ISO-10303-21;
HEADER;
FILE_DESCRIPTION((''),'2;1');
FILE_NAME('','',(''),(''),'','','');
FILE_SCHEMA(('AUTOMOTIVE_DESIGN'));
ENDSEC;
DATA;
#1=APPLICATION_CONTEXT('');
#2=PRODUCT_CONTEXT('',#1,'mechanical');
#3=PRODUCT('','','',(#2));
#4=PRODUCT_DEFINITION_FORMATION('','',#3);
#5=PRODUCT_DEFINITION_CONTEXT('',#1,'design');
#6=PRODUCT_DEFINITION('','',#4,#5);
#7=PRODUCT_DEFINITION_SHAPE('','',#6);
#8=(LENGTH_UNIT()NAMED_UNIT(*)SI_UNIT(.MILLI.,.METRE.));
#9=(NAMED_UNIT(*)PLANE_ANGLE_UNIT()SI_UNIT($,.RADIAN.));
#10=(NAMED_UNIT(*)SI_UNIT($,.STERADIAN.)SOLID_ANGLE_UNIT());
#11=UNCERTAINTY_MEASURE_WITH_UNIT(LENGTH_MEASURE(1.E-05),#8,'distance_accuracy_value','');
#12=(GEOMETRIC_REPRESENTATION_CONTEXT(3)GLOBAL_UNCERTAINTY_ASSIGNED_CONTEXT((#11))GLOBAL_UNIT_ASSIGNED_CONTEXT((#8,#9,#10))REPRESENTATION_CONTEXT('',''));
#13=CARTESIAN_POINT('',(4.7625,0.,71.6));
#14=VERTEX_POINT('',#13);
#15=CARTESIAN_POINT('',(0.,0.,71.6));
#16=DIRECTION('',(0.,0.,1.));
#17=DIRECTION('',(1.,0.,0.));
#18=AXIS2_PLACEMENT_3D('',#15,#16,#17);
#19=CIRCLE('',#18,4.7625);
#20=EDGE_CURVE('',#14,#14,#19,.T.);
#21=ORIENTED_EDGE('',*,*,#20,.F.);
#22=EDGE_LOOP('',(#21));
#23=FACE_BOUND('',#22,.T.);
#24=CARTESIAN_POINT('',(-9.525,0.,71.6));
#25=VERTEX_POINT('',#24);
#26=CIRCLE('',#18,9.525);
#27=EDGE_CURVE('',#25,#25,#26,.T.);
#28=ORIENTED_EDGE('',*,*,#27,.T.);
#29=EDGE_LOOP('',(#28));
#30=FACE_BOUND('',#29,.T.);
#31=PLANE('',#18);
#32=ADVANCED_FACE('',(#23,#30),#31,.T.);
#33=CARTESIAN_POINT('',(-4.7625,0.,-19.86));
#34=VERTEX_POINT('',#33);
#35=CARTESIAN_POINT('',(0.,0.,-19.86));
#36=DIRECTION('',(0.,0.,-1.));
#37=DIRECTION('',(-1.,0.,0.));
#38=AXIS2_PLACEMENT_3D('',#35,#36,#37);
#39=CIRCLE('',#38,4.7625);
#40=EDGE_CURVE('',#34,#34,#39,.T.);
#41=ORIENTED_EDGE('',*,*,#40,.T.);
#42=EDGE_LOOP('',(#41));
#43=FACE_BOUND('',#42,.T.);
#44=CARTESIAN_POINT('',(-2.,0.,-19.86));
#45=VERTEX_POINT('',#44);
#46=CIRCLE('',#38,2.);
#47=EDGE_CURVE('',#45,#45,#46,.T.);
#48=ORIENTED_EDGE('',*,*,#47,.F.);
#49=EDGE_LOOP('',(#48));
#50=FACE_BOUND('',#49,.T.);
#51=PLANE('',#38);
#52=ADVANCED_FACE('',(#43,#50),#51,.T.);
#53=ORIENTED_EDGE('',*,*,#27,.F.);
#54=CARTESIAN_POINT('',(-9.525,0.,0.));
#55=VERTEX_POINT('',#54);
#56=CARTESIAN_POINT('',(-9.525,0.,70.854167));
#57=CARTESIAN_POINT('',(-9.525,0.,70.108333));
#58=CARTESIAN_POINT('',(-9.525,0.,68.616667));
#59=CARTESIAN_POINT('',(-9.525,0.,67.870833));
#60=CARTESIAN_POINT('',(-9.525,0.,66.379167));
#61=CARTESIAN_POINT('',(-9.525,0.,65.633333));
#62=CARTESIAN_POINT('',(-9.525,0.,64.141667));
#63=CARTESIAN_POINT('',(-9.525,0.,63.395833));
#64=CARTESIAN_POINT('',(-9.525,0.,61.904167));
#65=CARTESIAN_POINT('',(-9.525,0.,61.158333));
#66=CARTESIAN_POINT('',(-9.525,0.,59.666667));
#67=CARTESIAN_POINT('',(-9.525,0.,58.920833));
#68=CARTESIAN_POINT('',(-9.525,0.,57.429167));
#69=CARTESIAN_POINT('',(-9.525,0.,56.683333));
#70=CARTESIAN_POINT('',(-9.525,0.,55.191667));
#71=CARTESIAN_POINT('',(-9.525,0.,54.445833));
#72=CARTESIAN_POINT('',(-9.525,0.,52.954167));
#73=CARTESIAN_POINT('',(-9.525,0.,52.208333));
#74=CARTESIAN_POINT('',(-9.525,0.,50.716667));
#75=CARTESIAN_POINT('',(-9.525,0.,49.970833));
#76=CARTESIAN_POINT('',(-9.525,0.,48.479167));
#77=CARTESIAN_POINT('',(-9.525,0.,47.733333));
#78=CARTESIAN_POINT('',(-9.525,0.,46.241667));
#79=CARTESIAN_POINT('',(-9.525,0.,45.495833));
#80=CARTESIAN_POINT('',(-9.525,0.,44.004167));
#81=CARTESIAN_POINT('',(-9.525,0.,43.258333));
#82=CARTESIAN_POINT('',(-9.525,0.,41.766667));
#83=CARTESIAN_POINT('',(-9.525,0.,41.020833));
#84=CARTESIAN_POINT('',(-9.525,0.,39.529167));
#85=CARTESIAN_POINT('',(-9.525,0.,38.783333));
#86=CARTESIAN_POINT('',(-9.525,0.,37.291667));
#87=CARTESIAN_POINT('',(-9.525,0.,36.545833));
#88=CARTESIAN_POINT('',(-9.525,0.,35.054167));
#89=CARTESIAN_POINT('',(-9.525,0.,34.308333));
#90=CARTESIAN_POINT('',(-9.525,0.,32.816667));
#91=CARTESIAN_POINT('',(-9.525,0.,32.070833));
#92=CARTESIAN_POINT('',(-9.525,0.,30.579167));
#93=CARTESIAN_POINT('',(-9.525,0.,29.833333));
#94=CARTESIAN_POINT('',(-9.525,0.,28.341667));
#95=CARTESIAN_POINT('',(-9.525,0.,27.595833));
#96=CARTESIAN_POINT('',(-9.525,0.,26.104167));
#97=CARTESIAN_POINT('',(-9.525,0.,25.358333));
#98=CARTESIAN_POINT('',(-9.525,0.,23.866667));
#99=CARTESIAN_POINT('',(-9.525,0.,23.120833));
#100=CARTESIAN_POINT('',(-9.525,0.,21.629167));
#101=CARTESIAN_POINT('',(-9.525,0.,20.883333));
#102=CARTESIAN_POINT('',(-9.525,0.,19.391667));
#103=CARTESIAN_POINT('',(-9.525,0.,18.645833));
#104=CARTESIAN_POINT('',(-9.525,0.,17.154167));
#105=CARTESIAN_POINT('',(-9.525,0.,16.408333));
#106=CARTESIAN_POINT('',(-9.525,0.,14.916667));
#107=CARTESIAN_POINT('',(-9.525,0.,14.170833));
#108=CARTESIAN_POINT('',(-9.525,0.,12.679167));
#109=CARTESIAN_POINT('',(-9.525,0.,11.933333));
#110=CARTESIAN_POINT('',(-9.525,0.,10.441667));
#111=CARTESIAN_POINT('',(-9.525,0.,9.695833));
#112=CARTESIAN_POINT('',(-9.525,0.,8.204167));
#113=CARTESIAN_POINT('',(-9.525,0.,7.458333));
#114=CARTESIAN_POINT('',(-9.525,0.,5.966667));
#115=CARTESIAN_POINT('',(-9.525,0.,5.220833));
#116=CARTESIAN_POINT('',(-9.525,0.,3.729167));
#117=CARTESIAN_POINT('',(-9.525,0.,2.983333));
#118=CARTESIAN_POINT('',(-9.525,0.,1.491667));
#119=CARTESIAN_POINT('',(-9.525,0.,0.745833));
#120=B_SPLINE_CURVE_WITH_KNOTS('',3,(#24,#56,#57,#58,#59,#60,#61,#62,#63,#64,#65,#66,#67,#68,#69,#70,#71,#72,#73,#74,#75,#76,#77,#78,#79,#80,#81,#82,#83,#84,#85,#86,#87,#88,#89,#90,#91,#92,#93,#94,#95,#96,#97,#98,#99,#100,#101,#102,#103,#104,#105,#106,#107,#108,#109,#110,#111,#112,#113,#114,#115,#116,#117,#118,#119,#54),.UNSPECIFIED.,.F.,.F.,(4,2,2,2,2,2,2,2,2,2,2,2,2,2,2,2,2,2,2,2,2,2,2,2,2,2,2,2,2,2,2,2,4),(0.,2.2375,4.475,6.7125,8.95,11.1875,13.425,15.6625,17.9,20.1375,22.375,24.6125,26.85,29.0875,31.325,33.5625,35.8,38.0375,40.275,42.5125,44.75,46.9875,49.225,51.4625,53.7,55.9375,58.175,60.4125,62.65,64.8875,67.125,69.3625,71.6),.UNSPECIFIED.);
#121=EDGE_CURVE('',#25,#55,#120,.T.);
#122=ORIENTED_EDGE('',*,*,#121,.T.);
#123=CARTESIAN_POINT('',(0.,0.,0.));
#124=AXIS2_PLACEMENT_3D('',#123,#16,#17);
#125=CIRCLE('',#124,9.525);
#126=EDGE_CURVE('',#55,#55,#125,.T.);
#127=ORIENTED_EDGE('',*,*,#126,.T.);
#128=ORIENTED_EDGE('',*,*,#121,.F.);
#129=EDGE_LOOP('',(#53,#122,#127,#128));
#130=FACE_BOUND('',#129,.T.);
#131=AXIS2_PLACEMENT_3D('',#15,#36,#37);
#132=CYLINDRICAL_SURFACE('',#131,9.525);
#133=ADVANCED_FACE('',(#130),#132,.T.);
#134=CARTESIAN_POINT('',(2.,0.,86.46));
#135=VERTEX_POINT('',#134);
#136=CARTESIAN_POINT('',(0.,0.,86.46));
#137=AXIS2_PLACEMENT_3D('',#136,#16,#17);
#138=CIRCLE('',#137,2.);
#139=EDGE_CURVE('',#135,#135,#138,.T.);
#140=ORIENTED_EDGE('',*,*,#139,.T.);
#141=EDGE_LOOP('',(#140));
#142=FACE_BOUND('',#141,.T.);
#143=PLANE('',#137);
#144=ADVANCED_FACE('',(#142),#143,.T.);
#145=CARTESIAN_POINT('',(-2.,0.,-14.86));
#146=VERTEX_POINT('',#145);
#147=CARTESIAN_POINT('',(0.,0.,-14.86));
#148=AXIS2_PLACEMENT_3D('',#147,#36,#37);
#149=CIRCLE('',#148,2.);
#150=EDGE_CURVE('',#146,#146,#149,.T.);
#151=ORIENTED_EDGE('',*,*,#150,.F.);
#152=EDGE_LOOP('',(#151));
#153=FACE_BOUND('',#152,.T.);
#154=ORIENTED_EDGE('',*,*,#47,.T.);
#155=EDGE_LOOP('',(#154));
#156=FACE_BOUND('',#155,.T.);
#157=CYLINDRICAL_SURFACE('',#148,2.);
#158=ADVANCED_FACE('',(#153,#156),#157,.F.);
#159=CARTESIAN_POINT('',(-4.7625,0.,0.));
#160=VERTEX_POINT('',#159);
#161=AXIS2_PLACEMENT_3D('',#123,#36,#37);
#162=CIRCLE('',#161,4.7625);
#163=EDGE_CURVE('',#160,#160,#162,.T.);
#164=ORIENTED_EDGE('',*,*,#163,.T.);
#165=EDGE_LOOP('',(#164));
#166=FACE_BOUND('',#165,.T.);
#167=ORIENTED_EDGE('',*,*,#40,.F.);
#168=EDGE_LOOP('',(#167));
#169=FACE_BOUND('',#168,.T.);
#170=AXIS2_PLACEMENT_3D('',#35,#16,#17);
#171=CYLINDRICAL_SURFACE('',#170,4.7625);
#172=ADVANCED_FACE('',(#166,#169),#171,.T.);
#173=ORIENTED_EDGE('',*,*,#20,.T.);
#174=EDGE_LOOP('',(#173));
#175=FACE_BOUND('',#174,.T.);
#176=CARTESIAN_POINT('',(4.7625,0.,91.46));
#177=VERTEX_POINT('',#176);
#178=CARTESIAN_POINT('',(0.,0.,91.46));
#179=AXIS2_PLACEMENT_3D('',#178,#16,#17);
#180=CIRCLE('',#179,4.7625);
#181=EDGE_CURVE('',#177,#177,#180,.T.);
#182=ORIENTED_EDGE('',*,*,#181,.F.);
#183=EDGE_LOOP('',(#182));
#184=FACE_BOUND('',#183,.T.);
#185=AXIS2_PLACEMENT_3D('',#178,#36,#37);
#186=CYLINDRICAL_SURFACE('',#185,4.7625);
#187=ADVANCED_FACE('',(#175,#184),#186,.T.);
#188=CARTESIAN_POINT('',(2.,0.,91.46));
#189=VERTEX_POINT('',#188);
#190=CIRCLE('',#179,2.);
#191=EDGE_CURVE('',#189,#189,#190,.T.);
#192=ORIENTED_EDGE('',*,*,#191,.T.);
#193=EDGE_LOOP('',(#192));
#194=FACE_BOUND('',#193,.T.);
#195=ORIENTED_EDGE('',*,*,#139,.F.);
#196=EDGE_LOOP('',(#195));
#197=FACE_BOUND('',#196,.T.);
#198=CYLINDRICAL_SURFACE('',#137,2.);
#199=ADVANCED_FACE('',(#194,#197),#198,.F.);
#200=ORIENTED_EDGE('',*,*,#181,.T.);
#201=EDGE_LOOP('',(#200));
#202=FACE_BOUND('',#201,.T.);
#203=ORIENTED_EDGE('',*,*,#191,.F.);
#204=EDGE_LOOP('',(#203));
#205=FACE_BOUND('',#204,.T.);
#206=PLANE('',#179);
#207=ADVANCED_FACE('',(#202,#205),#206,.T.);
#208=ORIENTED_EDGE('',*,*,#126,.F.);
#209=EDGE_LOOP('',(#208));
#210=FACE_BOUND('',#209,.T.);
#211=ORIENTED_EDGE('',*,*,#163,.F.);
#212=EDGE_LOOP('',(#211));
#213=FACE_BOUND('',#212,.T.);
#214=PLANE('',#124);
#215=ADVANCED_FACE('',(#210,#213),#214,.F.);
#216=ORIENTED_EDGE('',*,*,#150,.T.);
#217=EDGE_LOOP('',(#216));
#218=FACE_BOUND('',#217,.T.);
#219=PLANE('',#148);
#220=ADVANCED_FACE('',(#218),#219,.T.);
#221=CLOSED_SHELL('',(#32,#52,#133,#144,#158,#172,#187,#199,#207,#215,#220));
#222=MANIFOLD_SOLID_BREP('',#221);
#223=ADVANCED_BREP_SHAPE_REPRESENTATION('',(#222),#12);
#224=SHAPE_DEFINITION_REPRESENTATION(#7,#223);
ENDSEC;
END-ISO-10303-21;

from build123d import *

# Parameters (mm, degrees)
CROQUIS1_R              = 9.525
SALIENTE_EXTRUIR1_DEPTH = 71.6
CROQUIS2_R              = 4.7625
SALIENTE_EXTRUIR2_DEPTH = 19.86
SALIENTE_EXTRUIR3_START = 19.86
CROQUIS3_R              = 4.7625
SALIENTE_EXTRUIR3_DEPTH = 19.86
CROQUIS4_R              = 2
CORTAR_EXTRUIR1_DEPTH   = 5
CORTAR_EXTRUIR2_START   = -5
CROQUIS5_R              = 2
CORTAR_EXTRUIR2_DEPTH   = 5


with BuildPart() as part:
    # Croquis1 → Saliente-Extruir1 (new body)
    with BuildSketch(Plane.XY):
        with Locations(Location((0, 0, 0), (0, 0, 180))):
            Circle(CROQUIS1_R)
    extrude(amount=SALIENTE_EXTRUIR1_DEPTH)

    # Croquis2 → Saliente-Extruir2 (add)
    with BuildSketch(Plane.XY.offset(71.6)):
        Circle(CROQUIS2_R)
    extrude(amount=SALIENTE_EXTRUIR2_DEPTH)

    # Croquis3 → Saliente-Extruir3 (add)
    with BuildSketch(Plane(origin=(0, 0, 0), x_dir=(-1, 0, 0), z_dir=(0, 0, -1)).offset(SALIENTE_EXTRUIR3_START)):
        with Locations(Location((0, 0, 0), (0, 0, 180))):
            Circle(CROQUIS3_R)
    extrude(amount=-SALIENTE_EXTRUIR3_DEPTH)

    # Croquis4 → Cortar-Extruir1 (cut)
    with BuildSketch(Plane(origin=(0, 0, -19.86), x_dir=(-1, 0, 0), z_dir=(0, 0, -1))):
        Circle(CROQUIS4_R)
    extrude(amount=-CORTAR_EXTRUIR1_DEPTH, mode=Mode.SUBTRACT)

    # Croquis5 → Cortar-Extruir2 (cut)
    with BuildSketch(Plane.XY.offset(91.46).offset(CORTAR_EXTRUIR2_START)):
        with Locations(Location((0, 0, 0), (0, 0, 180))):
            Circle(CROQUIS5_R)
    extrude(amount=CORTAR_EXTRUIR2_DEPTH, mode=Mode.SUBTRACT)


solid = part.part
